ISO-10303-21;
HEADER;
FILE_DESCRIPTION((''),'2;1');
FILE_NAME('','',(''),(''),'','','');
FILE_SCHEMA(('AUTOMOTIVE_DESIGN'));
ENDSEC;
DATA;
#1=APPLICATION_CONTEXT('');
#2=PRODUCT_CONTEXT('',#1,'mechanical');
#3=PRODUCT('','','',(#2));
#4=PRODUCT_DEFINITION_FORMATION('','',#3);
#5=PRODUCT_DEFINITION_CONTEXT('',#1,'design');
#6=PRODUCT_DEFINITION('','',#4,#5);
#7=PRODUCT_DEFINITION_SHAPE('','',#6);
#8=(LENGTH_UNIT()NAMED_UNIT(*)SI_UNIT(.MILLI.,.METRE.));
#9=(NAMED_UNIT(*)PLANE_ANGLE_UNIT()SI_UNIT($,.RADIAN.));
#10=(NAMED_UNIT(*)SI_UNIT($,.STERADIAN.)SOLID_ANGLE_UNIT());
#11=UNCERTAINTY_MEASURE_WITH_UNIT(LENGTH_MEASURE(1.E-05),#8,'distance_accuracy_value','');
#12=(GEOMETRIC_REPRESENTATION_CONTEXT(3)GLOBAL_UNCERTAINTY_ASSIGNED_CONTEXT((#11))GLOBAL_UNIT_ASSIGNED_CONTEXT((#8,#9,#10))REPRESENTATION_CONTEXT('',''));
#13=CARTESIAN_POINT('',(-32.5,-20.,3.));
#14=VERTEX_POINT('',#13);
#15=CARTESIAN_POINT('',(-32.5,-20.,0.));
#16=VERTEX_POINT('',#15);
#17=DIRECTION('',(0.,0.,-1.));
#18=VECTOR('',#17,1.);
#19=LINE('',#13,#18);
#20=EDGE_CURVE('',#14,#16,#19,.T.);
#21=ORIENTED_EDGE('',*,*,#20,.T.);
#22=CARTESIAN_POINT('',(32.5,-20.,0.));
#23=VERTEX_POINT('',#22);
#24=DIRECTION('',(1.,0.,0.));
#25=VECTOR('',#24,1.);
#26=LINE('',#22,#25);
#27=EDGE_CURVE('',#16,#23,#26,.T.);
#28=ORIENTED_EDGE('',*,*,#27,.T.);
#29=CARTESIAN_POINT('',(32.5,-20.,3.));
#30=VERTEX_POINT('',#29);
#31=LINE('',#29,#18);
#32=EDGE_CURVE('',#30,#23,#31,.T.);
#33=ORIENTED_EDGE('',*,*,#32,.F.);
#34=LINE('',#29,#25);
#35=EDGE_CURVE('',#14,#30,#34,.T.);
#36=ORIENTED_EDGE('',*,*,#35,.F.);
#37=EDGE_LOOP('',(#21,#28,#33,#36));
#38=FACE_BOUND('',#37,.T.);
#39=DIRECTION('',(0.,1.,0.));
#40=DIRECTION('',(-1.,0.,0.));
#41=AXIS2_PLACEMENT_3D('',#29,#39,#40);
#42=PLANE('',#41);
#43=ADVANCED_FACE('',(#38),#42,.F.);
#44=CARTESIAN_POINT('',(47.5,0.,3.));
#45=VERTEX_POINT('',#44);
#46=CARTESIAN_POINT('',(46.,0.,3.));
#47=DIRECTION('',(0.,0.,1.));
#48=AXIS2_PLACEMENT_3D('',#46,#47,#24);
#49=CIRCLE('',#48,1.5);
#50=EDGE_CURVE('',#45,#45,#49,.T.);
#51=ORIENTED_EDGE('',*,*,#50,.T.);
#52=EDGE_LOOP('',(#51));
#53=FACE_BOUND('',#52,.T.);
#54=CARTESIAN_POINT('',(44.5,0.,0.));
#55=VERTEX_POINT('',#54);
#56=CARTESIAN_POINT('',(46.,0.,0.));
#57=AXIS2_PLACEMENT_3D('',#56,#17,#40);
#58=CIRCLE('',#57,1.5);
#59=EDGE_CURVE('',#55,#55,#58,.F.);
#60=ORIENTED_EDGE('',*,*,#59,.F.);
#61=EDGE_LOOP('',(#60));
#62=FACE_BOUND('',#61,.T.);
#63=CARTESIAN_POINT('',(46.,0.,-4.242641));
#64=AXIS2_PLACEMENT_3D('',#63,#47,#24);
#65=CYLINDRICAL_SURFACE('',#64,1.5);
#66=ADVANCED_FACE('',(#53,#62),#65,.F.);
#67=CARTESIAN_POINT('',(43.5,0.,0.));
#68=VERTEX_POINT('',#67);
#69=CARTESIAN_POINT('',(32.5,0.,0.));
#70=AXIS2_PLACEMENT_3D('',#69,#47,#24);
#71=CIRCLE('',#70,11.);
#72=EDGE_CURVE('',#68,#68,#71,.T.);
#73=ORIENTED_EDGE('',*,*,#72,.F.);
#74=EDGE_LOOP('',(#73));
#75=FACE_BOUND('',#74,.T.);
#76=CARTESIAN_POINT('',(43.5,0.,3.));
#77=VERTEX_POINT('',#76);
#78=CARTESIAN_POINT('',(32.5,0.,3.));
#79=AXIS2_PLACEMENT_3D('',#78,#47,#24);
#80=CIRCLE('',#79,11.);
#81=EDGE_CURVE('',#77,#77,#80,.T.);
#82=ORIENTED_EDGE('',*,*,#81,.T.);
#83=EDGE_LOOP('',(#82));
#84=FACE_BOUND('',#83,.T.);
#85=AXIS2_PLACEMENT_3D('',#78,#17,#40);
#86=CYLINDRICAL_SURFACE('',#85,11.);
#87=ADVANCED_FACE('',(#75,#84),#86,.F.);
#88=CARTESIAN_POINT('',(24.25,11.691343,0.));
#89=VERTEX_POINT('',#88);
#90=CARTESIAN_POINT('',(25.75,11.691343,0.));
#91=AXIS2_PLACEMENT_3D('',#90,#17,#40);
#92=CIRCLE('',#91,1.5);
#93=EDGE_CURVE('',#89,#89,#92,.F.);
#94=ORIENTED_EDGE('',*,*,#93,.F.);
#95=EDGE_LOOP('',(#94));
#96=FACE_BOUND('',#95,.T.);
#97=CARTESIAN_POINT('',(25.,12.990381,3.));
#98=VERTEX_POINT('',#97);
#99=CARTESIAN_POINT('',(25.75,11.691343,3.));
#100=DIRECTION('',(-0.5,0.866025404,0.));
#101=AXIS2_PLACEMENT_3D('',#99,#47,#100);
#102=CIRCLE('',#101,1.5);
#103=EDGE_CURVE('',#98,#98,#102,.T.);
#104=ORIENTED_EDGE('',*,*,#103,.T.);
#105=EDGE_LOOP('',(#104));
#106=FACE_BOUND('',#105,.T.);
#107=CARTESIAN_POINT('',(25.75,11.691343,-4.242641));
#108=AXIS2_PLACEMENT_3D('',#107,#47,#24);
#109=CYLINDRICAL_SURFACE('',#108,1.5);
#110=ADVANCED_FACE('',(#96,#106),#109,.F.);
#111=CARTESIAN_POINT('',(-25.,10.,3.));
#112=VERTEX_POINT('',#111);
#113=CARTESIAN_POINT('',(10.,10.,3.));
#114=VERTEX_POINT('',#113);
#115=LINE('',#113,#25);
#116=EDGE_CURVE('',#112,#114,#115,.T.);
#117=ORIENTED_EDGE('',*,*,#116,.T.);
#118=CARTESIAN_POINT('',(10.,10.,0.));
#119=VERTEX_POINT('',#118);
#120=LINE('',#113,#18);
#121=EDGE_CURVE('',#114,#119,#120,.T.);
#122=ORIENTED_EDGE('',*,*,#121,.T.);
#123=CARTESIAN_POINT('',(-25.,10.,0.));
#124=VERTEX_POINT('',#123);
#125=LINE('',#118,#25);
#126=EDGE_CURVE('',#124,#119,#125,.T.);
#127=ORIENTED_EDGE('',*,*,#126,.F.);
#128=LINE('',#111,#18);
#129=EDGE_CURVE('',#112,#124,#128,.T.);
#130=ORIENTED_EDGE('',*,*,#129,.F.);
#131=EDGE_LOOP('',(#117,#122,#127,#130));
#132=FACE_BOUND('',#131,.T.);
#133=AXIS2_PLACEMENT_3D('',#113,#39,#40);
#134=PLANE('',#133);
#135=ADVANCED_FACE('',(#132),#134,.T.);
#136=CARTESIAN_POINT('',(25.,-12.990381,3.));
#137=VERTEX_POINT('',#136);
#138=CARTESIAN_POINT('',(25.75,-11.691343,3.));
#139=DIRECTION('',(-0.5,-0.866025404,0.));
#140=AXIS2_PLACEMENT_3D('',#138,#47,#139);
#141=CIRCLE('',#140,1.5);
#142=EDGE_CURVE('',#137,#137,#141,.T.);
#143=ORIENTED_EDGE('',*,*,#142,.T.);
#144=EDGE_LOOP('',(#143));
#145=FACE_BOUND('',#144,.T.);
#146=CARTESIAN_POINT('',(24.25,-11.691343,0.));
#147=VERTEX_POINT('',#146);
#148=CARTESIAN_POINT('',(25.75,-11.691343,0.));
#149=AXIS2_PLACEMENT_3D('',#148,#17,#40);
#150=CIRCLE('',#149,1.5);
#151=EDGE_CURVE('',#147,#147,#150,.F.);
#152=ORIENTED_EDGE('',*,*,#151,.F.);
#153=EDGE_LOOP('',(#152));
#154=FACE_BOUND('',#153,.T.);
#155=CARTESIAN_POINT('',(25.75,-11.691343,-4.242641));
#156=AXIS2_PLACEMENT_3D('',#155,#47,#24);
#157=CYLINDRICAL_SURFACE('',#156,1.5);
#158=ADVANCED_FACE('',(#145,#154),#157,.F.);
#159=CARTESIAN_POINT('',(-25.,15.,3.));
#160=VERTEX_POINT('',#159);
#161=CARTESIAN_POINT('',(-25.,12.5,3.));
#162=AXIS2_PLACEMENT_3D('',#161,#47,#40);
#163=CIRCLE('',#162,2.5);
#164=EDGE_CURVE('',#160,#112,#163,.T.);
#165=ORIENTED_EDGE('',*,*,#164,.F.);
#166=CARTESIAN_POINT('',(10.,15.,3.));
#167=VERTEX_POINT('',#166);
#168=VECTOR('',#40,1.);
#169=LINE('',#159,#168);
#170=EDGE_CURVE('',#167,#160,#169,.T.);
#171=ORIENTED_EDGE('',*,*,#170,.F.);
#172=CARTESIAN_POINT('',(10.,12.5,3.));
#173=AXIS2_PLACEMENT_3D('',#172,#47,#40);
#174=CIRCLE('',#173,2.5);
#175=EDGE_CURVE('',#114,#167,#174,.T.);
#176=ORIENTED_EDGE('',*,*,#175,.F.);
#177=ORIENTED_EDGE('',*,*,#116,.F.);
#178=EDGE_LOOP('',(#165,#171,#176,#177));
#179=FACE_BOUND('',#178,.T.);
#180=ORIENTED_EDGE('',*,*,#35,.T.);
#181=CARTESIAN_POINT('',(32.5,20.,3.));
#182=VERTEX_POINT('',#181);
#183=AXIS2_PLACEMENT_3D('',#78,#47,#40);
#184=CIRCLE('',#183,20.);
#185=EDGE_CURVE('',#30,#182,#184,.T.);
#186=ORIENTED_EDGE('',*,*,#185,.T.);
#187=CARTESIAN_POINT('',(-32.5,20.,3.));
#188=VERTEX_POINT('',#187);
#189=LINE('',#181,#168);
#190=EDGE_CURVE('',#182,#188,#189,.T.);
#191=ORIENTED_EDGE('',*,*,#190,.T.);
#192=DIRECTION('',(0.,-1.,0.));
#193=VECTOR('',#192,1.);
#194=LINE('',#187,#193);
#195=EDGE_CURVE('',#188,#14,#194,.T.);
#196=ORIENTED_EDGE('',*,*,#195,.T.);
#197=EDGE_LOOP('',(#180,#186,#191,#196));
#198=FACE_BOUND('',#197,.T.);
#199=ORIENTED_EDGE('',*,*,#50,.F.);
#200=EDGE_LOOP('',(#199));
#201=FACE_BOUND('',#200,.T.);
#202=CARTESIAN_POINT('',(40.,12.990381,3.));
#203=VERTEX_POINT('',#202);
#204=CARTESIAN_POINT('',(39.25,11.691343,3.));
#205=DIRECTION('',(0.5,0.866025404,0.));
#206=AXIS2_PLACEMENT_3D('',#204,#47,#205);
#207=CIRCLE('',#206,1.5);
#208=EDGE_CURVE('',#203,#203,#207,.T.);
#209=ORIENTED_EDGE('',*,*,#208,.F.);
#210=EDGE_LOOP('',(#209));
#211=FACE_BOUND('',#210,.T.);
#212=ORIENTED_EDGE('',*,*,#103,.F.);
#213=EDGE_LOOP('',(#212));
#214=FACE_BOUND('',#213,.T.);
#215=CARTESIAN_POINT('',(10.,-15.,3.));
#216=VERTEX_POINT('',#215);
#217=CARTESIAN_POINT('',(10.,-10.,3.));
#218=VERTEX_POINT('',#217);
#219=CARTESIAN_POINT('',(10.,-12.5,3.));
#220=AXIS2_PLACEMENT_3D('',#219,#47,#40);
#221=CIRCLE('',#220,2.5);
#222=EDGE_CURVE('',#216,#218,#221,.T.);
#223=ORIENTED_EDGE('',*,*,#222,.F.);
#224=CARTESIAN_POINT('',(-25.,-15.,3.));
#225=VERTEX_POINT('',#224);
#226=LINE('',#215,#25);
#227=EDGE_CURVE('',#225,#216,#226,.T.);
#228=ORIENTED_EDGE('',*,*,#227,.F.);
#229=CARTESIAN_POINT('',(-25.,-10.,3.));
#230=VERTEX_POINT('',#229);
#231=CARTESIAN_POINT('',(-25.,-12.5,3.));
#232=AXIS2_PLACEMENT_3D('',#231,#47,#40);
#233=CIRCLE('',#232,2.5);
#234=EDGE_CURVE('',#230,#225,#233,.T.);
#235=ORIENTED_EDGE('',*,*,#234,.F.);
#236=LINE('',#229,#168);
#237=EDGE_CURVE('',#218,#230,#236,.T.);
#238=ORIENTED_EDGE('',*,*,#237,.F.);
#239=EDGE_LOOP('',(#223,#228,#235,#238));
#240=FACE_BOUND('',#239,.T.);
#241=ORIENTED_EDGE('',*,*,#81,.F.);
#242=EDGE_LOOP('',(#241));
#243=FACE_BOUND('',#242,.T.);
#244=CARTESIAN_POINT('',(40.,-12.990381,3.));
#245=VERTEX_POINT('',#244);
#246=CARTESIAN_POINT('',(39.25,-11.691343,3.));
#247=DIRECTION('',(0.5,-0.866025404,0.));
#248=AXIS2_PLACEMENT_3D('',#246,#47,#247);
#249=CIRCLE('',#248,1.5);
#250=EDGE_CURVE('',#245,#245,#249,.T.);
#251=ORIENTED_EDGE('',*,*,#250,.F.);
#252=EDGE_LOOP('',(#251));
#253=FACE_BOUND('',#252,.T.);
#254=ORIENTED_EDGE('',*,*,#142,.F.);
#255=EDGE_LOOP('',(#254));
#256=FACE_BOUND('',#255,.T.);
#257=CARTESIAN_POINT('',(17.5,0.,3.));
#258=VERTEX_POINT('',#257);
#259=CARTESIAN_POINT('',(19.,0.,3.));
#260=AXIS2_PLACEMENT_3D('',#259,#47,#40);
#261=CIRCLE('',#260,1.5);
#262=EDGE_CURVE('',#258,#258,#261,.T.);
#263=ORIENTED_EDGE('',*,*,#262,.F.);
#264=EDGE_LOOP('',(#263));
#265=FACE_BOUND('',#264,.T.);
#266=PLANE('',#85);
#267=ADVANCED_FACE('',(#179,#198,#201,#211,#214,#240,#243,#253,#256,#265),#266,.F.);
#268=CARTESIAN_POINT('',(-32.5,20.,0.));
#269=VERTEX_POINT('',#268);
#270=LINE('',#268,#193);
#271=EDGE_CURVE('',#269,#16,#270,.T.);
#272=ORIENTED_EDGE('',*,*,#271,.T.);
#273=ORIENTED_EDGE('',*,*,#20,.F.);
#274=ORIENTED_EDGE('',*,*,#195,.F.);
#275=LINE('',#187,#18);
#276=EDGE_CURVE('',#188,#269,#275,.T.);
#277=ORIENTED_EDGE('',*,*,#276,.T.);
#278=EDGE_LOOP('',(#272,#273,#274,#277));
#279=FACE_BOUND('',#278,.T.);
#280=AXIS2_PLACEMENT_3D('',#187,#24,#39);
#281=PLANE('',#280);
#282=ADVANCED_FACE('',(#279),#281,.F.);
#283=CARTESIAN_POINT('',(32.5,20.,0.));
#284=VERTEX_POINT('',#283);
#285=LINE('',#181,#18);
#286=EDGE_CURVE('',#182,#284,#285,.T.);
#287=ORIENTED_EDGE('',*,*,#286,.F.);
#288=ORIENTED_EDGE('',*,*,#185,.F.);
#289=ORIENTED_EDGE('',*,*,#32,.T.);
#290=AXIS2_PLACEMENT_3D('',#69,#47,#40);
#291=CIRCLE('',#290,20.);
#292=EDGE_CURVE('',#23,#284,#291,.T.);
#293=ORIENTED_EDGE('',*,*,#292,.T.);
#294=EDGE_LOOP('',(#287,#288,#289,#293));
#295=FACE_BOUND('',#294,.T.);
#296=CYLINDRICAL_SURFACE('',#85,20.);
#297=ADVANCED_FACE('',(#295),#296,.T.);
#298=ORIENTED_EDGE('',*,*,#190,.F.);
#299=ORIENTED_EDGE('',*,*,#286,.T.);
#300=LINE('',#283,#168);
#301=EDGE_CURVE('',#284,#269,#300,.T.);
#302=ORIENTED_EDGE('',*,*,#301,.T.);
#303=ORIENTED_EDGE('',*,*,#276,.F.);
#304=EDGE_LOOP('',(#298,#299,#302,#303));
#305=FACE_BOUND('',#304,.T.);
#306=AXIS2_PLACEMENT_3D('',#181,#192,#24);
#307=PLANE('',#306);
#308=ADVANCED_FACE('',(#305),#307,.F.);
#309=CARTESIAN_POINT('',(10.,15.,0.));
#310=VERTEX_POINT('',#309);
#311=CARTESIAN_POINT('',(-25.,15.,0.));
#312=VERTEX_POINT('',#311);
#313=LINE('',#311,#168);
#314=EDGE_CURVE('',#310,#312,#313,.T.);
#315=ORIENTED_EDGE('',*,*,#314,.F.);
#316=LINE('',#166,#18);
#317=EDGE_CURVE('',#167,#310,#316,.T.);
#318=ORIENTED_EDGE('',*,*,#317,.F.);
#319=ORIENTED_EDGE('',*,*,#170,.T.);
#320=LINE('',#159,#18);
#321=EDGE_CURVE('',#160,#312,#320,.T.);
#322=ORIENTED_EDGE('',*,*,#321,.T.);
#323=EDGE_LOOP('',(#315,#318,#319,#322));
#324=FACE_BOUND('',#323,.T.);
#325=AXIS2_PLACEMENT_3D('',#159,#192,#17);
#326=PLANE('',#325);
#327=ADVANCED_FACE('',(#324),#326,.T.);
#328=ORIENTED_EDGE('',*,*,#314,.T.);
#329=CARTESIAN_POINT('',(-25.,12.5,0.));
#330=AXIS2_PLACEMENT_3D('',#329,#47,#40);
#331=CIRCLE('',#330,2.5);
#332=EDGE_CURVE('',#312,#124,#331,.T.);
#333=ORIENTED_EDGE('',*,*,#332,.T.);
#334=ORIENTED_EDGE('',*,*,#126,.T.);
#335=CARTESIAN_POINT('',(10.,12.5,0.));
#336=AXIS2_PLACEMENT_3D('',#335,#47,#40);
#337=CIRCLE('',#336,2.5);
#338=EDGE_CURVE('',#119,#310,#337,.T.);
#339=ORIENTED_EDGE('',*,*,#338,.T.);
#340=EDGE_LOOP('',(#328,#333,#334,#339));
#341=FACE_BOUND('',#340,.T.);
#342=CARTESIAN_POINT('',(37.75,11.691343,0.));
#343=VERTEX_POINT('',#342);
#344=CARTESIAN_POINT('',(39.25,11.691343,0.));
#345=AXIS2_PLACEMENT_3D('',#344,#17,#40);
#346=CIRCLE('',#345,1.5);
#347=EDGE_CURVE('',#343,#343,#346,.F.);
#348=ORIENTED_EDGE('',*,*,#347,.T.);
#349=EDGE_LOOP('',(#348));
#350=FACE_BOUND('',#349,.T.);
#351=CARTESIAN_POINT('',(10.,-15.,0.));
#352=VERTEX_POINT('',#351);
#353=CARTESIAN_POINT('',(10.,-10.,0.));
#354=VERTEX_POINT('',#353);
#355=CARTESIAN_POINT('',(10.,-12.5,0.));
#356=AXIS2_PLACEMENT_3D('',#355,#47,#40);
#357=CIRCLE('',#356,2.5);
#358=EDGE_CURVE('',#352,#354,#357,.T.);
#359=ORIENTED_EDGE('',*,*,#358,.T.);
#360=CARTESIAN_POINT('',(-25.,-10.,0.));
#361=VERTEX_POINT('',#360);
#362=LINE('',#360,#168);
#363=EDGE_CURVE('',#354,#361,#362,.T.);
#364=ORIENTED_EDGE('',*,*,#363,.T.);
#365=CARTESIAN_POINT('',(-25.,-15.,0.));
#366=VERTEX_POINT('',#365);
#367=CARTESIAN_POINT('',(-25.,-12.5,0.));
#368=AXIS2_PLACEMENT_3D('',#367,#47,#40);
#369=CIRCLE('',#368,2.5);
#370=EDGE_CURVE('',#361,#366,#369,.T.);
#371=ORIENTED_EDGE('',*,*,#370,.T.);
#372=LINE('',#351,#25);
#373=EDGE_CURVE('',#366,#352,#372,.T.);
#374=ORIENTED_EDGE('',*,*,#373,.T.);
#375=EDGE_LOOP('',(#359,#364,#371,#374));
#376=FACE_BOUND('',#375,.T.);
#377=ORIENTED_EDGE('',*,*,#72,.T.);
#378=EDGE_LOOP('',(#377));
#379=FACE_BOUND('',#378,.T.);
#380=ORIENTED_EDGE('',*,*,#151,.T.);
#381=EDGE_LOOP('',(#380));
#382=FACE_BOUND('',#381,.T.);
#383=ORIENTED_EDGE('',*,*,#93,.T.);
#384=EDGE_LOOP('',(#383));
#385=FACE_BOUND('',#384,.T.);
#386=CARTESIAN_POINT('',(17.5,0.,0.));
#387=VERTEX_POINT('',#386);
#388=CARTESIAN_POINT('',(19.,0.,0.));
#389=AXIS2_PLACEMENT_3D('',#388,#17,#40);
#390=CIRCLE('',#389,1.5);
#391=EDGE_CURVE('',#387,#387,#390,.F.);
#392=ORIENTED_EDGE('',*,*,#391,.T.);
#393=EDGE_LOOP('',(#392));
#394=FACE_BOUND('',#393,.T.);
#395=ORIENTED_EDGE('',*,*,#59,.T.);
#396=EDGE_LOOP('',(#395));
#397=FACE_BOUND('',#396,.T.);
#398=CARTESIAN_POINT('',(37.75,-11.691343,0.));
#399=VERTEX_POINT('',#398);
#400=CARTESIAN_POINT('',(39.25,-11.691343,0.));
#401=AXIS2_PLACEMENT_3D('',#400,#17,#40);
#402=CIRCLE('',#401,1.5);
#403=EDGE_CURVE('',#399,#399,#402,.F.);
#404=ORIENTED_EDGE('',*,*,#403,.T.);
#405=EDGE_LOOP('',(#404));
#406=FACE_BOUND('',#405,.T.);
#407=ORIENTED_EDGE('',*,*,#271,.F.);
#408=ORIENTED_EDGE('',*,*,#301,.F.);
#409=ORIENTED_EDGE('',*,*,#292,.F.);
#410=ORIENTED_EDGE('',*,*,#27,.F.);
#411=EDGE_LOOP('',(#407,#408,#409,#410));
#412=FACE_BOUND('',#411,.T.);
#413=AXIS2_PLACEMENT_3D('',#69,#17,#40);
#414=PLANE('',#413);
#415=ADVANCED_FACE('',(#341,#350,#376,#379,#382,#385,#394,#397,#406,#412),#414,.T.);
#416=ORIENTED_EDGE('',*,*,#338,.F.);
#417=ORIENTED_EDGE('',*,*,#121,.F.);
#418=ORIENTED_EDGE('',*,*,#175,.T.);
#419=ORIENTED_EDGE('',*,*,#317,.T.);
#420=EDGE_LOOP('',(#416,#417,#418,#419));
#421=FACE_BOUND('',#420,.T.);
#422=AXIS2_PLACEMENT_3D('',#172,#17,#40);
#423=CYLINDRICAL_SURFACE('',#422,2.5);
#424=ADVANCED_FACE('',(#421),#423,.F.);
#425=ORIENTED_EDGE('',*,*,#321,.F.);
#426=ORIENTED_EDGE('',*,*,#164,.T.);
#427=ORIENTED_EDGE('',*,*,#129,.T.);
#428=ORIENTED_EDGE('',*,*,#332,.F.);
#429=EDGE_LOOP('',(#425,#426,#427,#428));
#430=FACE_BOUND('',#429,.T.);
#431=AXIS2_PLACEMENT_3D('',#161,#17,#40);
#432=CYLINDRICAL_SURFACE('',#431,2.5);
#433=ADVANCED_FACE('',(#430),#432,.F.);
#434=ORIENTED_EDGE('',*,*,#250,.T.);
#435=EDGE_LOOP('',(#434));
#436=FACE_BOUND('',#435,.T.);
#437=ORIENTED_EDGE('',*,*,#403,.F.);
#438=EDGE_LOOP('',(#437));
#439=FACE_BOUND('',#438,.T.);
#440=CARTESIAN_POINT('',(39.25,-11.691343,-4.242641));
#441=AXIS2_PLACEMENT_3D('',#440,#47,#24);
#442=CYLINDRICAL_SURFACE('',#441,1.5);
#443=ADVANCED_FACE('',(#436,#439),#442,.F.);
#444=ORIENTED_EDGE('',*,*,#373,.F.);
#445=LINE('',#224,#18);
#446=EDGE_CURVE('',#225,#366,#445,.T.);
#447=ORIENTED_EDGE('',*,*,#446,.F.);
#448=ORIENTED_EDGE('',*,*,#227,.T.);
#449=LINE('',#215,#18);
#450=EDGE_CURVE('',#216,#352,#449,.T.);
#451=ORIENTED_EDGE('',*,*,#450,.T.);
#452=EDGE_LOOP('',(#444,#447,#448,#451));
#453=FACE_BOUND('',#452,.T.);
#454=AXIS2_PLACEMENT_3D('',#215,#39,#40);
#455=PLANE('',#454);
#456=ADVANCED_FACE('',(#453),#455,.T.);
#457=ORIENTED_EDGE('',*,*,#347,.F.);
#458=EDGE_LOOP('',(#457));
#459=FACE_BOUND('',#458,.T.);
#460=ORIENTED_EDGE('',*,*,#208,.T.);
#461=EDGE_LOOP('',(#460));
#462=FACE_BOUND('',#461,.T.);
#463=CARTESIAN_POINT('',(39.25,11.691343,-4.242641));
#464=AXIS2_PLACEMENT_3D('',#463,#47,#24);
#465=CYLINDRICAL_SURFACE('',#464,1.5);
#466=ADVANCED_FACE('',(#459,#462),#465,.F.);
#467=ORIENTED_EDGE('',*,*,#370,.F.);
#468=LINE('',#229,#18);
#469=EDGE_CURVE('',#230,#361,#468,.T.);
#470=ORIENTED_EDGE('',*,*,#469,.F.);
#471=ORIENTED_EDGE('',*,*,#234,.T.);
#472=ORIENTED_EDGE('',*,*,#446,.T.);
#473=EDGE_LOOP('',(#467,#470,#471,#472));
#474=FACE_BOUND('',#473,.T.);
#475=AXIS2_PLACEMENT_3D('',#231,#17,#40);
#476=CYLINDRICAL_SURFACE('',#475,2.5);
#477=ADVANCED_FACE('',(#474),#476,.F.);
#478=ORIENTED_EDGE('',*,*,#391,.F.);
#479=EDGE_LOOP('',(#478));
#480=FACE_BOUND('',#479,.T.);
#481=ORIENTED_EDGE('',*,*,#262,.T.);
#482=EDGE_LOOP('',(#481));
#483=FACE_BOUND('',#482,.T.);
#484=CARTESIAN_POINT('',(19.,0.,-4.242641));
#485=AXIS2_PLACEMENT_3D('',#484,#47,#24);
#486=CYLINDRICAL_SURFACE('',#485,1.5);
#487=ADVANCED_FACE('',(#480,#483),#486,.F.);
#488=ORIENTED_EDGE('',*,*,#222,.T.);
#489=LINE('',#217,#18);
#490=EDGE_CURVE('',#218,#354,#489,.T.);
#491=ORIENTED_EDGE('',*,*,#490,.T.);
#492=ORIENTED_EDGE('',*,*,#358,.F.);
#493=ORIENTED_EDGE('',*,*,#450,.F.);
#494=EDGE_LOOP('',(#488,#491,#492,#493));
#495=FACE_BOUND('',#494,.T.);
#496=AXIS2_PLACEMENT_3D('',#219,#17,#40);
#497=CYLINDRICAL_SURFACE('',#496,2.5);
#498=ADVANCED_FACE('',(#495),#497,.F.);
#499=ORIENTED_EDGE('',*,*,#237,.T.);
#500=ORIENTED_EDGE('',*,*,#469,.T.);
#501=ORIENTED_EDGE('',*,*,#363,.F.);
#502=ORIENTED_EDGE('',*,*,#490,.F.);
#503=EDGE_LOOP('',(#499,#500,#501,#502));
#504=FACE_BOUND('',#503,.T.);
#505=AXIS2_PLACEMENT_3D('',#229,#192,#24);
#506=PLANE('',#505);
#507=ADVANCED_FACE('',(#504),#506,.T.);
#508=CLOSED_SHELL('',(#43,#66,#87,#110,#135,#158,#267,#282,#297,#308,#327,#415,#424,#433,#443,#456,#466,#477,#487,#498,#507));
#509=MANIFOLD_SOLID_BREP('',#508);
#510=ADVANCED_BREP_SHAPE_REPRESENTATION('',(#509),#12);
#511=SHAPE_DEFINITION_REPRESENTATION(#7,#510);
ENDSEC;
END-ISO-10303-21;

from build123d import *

# Parameters (mm, degrees)
SKETCH1_R           = 11
BOSS_EXTRUDE1_DEPTH = 3
SKETCH2_R           = 1.5
CUT_EXTRUDE1_DEPTH  = 3
CIRPATTERN1_COUNT   = 6


with BuildPart() as part:
    # Sketch1 → Boss-Extrude1 (new body)
    with BuildSketch(Plane.XY):
        with BuildLine():
            Line((32.5, 20), (-32.5, 20))
            Line((-32.5, 20), (-32.5, -20))
            Line((-32.5, -20), (32.5, -20))
            ThreePointArc((32.5, -20), (52.5, 0), (32.5, 20))
        make_face()
        with Locations((32.5, 0)):
            Circle(SKETCH1_R, mode=Mode.SUBTRACT)
        with BuildLine():
            Line((-25, 15), (10, 15))
            ThreePointArc((10, 15), (12.5, 12.5), (10, 10))
            Line((10, 10), (-25, 10))
            ThreePointArc((-25, 10), (-27.5, 12.5), (-25, 15))
        make_face(mode=Mode.SUBTRACT)
        with BuildLine():
            Line((-25, -10), (10, -10))
            ThreePointArc((10, -10), (12.5, -12.5), (10, -15))
            Line((10, -15), (-25, -15))
            ThreePointArc((-25, -15), (-27.5, -12.5), (-25, -10))
        make_face(mode=Mode.SUBTRACT)
    extrude(amount=BOSS_EXTRUDE1_DEPTH)

    # Sketch2 → Cut-Extrude1 (cut)
    with BuildSketch(Plane.XY.offset(3)):
        with Locations((46, 0)):
            Circle(SKETCH2_R)
    cut_extrude1 = extrude(amount=-CUT_EXTRUDE1_DEPTH, mode=Mode.SUBTRACT)

    # CirPattern1: Cut-Extrude1 ×6 about axis
    cirpattern1_axis = Axis((32.5, 0, 0), (0, 0, 1))
    for i in range(1, CIRPATTERN1_COUNT):
        add(cut_extrude1.rotate(cirpattern1_axis, i * 360 / CIRPATTERN1_COUNT), mode=Mode.SUBTRACT)


solid = part.part
